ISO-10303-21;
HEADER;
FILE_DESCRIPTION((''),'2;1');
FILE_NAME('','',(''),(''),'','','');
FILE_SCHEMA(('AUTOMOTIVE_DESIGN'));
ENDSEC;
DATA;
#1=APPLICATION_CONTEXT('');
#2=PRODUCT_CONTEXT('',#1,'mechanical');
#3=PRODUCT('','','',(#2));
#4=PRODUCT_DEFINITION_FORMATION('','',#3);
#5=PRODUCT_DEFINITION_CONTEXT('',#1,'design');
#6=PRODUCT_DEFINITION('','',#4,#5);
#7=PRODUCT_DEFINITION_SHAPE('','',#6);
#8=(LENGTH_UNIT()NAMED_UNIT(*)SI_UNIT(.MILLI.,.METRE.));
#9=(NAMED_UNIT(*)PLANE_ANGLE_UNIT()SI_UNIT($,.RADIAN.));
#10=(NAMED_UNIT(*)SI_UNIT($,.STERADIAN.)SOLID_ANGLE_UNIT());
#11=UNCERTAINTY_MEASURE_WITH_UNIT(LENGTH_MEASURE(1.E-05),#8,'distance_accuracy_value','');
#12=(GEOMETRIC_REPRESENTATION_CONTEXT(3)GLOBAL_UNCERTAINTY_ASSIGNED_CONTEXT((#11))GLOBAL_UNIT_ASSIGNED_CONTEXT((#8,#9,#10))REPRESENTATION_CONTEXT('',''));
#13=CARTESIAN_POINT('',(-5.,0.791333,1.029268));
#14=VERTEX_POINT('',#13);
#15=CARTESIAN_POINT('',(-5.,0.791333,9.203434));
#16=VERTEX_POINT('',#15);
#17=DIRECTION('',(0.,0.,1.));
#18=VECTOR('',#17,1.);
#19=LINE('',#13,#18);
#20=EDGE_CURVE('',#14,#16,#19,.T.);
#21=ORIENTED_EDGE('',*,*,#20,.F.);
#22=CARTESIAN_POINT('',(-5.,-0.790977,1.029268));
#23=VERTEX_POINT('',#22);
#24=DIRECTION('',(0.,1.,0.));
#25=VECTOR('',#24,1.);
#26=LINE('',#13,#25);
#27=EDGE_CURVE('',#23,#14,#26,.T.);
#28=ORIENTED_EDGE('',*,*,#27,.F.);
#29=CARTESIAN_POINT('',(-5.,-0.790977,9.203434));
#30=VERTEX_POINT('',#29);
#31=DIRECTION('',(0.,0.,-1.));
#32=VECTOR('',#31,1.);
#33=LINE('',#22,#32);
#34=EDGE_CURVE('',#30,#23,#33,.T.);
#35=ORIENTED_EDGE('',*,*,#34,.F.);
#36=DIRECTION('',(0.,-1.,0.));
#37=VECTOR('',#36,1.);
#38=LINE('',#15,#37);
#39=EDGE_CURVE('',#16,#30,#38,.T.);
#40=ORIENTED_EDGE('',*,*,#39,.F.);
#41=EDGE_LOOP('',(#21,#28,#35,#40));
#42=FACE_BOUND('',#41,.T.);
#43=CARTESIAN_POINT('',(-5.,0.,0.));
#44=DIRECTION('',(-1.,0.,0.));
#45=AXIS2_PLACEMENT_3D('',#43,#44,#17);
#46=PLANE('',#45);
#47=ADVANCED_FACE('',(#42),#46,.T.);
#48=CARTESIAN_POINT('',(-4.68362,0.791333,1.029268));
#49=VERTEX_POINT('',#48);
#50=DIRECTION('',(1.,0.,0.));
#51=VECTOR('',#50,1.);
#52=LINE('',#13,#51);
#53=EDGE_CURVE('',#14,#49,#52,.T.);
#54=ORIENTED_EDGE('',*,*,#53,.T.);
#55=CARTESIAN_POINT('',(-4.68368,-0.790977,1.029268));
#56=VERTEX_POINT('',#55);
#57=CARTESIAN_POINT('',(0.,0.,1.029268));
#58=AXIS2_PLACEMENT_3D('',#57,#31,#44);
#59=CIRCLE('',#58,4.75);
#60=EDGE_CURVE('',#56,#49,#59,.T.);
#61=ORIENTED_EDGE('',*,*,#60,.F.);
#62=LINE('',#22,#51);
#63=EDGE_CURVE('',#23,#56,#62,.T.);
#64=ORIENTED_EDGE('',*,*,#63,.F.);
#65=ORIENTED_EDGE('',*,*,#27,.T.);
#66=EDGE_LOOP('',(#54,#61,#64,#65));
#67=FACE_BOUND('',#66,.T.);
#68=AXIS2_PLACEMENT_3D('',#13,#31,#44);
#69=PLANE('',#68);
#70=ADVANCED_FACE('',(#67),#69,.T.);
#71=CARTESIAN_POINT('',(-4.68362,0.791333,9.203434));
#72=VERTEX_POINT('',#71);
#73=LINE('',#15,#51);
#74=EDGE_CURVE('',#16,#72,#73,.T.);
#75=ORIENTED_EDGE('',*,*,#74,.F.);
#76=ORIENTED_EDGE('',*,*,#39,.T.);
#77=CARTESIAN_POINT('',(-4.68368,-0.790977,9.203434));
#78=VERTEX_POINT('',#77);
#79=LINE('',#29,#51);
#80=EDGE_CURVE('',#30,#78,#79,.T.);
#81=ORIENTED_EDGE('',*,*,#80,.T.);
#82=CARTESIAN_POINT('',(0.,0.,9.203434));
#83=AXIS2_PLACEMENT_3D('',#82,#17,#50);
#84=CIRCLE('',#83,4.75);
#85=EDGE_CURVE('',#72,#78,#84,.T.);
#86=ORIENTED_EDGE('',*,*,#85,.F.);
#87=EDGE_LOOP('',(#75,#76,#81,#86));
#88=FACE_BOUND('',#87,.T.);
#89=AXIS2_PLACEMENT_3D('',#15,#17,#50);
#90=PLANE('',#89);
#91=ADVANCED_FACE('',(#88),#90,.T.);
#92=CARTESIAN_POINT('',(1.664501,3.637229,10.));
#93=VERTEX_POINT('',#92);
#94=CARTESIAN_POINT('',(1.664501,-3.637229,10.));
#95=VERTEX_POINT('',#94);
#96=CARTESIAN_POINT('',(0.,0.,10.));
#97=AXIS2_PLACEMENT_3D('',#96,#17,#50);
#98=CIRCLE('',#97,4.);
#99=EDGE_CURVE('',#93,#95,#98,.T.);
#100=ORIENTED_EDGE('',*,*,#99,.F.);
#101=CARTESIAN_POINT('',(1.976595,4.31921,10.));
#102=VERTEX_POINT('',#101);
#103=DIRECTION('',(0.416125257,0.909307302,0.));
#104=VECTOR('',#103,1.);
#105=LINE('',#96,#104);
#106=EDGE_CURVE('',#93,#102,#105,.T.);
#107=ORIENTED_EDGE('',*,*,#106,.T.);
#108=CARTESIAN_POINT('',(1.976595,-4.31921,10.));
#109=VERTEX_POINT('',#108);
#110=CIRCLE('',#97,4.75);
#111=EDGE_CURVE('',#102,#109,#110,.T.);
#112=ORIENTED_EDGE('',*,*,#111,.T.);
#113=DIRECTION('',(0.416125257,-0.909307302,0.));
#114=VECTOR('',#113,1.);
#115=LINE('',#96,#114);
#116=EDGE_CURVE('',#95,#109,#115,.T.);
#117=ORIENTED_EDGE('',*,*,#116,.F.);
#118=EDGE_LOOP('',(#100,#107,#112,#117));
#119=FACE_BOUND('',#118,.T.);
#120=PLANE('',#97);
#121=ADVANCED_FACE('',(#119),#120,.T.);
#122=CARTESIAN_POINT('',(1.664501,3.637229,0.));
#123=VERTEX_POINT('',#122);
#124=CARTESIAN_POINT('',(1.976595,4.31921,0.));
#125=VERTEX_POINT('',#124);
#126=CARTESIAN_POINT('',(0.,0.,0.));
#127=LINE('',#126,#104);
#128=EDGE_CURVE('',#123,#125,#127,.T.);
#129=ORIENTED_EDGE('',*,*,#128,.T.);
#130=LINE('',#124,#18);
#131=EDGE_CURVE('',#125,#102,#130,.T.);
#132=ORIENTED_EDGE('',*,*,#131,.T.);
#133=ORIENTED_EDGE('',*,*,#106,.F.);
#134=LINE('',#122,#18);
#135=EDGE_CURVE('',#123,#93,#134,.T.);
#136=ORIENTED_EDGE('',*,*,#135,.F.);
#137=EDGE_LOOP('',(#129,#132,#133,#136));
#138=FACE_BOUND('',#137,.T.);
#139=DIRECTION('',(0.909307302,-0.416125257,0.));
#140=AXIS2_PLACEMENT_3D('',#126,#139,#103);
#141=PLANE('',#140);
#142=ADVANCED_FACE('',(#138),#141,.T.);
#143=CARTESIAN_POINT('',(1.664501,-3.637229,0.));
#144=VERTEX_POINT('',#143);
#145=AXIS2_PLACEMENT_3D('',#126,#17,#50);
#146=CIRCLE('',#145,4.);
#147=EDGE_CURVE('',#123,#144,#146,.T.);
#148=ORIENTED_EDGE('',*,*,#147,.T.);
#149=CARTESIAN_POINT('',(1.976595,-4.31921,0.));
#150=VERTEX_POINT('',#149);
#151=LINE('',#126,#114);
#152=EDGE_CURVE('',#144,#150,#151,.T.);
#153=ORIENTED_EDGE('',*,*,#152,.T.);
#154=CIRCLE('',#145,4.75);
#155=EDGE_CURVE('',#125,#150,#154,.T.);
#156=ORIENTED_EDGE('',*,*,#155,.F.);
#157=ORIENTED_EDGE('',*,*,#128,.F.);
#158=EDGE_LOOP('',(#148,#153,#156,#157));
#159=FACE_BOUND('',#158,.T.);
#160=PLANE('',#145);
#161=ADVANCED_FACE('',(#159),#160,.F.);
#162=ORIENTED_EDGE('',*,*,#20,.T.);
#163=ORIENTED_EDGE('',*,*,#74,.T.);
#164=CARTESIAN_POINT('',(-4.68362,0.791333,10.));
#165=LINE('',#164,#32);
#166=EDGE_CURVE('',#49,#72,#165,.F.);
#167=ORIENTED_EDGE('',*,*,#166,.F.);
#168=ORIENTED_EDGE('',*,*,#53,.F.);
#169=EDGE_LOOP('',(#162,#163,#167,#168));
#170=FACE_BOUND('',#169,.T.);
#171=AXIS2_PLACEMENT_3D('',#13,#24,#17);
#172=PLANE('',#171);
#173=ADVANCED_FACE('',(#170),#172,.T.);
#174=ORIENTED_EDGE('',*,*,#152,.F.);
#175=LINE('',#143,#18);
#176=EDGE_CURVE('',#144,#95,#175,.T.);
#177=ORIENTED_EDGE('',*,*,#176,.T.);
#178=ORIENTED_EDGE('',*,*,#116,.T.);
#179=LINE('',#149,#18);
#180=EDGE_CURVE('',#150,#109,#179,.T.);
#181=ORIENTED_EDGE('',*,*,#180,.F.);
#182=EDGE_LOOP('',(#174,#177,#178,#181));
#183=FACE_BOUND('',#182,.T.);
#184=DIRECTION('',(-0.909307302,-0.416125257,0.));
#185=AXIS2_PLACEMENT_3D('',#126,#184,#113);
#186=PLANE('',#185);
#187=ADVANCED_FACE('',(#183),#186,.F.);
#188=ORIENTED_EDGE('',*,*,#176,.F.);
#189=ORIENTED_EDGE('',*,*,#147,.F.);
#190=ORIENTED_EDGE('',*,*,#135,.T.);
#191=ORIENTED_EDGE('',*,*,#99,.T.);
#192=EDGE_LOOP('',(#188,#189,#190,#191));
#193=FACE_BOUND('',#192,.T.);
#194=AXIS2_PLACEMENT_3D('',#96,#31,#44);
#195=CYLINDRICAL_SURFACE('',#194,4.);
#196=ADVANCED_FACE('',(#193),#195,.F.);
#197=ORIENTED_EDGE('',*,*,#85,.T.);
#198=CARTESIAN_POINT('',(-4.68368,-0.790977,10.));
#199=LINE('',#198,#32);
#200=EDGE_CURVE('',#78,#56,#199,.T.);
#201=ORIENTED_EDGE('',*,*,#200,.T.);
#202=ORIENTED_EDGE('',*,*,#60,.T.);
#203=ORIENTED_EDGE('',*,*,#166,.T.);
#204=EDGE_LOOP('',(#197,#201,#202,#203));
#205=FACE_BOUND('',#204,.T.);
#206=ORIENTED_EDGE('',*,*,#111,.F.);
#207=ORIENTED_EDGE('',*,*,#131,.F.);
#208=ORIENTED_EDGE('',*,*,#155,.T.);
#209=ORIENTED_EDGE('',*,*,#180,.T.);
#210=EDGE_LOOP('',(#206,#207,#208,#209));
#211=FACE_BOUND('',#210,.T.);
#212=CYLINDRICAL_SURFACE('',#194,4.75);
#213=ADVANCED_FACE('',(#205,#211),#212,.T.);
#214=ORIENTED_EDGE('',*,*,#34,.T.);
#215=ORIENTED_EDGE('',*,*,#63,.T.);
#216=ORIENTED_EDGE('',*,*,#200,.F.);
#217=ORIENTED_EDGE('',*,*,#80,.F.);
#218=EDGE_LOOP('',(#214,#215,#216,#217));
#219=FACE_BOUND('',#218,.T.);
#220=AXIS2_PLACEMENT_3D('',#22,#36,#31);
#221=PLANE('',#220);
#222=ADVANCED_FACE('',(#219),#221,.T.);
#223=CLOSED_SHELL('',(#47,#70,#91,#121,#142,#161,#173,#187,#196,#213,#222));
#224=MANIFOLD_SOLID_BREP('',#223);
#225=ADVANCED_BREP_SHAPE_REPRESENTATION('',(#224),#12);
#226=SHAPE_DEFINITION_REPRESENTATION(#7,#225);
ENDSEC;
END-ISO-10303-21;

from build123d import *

# Parameters (mm, degrees)
SKETCH1_R           = 4.75
SKETCH1_R_2         = 4
BOSS_EXTRUDE1_DEPTH = 10
CUT_EXTRUDE2_DEPTH  = 10
SKETCH4_W           = 8.174166442
SKETCH4_H           = 1.582309943
BOSS_EXTRUDE2_DEPTH = 0.5


with BuildPart() as part:
    # Sketch1 → Boss-Extrude1 (new body)
    with BuildSketch(Plane.XY):
        Circle(SKETCH1_R)
        Circle(SKETCH1_R_2, mode=Mode.SUBTRACT)
    extrude(amount=BOSS_EXTRUDE1_DEPTH)

    # Sketch3 → Cut-Extrude2 (cut)
    with BuildSketch(Plane.XY.offset(10)):
        with BuildLine():
            ThreePointArc((1.66450103, 3.637229209), (3.365858295, 2.161249162), (4, 0))
            Line((4, 0), (4.75, 0))
            ThreePointArc((4.75, 0), (4.749994219, 0.007410728), (4.749976876, 0.014821438))
            ThreePointArc((4.749976876, 0.014821438), (3.992947753, 2.572716122), (1.976594973, 4.319209686))
            Line((1.976594973, 4.319209686), (1.66450103, 3.637229209))
        make_face()
        with BuildLine():
            Line((4.75, 0), (4, 0))
            ThreePointArc((4, 0), (3.365858295, -2.161249162), (1.66450103, -3.637229209))
            Line((1.66450103, -3.637229209), (1.976594973, -4.319209686))
            ThreePointArc((1.976594973, -4.319209686), (3.996956725, -2.56648338), (4.75, 0))
        make_face()
    extrude(amount=-CUT_EXTRUDE2_DEPTH, mode=Mode.SUBTRACT)

    # Sketch4 → Boss-Extrude2 (add)
    with BuildSketch(Plane(origin=(-4.5, 0, 0), x_dir=(0, 0, -1), z_dir=(1, 0, 0))):
        with Locations((-5.116351143, 0.000178202)):
            Rectangle(SKETCH4_W, SKETCH4_H)
    extrude(amount=-BOSS_EXTRUDE2_DEPTH)


solid = part.part
